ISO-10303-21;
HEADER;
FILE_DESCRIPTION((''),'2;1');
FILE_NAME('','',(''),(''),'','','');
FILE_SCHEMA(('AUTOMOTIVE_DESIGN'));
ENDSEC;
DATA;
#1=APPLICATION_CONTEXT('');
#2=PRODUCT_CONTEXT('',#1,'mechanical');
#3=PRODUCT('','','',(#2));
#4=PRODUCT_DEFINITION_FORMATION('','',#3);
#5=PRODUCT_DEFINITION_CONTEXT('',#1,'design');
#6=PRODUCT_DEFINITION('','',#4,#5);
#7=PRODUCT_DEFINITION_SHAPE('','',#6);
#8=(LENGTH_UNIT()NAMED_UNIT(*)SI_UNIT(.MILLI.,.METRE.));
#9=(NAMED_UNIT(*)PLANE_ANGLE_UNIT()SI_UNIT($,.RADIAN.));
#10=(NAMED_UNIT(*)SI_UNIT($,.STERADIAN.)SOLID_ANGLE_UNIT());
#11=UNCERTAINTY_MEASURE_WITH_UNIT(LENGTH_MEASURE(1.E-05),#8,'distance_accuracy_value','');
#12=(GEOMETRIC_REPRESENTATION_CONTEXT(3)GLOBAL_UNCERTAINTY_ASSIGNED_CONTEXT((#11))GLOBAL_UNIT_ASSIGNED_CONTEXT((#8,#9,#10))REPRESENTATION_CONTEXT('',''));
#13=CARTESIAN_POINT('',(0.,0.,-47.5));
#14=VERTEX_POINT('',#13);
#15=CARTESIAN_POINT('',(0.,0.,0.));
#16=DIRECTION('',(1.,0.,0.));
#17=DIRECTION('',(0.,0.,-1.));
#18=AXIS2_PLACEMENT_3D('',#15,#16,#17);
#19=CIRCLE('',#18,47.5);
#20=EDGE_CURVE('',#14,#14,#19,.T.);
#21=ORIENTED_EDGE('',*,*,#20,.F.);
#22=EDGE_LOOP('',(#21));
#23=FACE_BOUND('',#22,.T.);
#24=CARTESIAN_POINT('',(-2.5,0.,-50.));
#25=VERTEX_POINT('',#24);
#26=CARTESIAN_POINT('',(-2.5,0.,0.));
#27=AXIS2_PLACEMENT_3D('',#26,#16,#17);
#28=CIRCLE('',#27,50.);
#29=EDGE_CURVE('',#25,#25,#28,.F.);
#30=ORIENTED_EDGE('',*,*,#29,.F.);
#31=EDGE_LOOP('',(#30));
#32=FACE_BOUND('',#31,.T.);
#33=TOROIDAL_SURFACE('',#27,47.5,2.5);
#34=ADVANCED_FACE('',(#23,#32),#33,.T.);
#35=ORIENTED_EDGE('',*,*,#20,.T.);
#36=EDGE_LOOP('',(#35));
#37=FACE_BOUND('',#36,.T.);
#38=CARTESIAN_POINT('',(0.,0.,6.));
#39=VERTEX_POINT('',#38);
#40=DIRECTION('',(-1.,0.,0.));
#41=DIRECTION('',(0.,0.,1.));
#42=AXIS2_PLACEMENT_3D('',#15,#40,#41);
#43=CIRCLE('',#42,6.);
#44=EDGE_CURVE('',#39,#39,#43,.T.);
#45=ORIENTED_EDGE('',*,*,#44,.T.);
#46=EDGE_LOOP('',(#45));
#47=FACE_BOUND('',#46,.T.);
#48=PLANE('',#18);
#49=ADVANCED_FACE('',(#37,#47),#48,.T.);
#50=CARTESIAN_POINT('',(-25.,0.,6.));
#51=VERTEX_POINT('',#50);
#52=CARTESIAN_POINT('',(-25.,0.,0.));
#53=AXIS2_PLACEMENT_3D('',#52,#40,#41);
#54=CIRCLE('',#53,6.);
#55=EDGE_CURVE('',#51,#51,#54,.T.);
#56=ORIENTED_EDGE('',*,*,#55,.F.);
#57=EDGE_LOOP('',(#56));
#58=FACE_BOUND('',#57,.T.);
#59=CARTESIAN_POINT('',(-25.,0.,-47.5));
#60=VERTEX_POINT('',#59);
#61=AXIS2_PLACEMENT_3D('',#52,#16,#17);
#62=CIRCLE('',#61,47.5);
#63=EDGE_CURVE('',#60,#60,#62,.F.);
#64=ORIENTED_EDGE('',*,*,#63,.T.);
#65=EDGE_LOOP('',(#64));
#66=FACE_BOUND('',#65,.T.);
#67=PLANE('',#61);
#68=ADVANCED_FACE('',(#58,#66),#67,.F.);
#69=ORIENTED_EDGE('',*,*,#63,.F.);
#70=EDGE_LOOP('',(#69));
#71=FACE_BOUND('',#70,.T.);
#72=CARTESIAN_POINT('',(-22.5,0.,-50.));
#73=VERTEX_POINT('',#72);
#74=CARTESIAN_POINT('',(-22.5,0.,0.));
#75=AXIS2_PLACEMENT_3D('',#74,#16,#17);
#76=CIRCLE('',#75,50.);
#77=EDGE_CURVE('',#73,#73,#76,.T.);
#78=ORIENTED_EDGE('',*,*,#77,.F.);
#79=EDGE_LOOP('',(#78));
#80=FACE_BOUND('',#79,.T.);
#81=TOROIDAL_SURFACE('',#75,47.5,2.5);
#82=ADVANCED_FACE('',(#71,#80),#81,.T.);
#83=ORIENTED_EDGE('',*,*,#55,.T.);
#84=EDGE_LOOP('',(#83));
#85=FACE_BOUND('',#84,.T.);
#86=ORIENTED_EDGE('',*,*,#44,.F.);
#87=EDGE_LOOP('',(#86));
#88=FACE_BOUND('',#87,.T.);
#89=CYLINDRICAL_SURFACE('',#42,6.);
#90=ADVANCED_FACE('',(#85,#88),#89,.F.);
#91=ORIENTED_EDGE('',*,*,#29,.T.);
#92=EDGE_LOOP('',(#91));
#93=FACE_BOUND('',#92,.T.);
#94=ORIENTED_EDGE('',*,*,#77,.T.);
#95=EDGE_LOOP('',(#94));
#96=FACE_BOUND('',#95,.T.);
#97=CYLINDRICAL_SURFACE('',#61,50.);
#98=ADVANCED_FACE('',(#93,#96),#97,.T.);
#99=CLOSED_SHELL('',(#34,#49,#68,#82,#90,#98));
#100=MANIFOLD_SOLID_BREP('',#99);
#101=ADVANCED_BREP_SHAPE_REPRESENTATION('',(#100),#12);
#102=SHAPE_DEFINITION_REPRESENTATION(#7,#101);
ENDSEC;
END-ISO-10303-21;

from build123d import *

# Parameters (mm, degrees)
SKETCH2_R           = 50
BOSS_EXTRUDE1_DEPTH = 25
FILLET1_R           = 2.5
SKETCH3_R           = 6
CUT_EXTRUDE1_DEPTH  = 25


with BuildPart() as part:
    # Sketch2 → Boss-Extrude1 (new body)
    with BuildSketch(Plane(origin=(0, 0, 0), x_dir=(0, 0, -1), z_dir=(1, 0, 0))):
        Circle(SKETCH2_R)
    extrude(amount=-BOSS_EXTRUDE1_DEPTH)

    # Fillet1
    fillet1_edges = [part.edges().sort_by_distance(p)[0] for p in [
        (0, 0, 50),
        (-25, 0, 50),
    ]]
    fillet(fillet1_edges, radius=FILLET1_R)

    # Sketch3 → Cut-Extrude1 (cut)
    with BuildSketch(Plane.ZY.offset(25)):
        Circle(SKETCH3_R)
    extrude(amount=-CUT_EXTRUDE1_DEPTH, mode=Mode.SUBTRACT)


solid = part.part
